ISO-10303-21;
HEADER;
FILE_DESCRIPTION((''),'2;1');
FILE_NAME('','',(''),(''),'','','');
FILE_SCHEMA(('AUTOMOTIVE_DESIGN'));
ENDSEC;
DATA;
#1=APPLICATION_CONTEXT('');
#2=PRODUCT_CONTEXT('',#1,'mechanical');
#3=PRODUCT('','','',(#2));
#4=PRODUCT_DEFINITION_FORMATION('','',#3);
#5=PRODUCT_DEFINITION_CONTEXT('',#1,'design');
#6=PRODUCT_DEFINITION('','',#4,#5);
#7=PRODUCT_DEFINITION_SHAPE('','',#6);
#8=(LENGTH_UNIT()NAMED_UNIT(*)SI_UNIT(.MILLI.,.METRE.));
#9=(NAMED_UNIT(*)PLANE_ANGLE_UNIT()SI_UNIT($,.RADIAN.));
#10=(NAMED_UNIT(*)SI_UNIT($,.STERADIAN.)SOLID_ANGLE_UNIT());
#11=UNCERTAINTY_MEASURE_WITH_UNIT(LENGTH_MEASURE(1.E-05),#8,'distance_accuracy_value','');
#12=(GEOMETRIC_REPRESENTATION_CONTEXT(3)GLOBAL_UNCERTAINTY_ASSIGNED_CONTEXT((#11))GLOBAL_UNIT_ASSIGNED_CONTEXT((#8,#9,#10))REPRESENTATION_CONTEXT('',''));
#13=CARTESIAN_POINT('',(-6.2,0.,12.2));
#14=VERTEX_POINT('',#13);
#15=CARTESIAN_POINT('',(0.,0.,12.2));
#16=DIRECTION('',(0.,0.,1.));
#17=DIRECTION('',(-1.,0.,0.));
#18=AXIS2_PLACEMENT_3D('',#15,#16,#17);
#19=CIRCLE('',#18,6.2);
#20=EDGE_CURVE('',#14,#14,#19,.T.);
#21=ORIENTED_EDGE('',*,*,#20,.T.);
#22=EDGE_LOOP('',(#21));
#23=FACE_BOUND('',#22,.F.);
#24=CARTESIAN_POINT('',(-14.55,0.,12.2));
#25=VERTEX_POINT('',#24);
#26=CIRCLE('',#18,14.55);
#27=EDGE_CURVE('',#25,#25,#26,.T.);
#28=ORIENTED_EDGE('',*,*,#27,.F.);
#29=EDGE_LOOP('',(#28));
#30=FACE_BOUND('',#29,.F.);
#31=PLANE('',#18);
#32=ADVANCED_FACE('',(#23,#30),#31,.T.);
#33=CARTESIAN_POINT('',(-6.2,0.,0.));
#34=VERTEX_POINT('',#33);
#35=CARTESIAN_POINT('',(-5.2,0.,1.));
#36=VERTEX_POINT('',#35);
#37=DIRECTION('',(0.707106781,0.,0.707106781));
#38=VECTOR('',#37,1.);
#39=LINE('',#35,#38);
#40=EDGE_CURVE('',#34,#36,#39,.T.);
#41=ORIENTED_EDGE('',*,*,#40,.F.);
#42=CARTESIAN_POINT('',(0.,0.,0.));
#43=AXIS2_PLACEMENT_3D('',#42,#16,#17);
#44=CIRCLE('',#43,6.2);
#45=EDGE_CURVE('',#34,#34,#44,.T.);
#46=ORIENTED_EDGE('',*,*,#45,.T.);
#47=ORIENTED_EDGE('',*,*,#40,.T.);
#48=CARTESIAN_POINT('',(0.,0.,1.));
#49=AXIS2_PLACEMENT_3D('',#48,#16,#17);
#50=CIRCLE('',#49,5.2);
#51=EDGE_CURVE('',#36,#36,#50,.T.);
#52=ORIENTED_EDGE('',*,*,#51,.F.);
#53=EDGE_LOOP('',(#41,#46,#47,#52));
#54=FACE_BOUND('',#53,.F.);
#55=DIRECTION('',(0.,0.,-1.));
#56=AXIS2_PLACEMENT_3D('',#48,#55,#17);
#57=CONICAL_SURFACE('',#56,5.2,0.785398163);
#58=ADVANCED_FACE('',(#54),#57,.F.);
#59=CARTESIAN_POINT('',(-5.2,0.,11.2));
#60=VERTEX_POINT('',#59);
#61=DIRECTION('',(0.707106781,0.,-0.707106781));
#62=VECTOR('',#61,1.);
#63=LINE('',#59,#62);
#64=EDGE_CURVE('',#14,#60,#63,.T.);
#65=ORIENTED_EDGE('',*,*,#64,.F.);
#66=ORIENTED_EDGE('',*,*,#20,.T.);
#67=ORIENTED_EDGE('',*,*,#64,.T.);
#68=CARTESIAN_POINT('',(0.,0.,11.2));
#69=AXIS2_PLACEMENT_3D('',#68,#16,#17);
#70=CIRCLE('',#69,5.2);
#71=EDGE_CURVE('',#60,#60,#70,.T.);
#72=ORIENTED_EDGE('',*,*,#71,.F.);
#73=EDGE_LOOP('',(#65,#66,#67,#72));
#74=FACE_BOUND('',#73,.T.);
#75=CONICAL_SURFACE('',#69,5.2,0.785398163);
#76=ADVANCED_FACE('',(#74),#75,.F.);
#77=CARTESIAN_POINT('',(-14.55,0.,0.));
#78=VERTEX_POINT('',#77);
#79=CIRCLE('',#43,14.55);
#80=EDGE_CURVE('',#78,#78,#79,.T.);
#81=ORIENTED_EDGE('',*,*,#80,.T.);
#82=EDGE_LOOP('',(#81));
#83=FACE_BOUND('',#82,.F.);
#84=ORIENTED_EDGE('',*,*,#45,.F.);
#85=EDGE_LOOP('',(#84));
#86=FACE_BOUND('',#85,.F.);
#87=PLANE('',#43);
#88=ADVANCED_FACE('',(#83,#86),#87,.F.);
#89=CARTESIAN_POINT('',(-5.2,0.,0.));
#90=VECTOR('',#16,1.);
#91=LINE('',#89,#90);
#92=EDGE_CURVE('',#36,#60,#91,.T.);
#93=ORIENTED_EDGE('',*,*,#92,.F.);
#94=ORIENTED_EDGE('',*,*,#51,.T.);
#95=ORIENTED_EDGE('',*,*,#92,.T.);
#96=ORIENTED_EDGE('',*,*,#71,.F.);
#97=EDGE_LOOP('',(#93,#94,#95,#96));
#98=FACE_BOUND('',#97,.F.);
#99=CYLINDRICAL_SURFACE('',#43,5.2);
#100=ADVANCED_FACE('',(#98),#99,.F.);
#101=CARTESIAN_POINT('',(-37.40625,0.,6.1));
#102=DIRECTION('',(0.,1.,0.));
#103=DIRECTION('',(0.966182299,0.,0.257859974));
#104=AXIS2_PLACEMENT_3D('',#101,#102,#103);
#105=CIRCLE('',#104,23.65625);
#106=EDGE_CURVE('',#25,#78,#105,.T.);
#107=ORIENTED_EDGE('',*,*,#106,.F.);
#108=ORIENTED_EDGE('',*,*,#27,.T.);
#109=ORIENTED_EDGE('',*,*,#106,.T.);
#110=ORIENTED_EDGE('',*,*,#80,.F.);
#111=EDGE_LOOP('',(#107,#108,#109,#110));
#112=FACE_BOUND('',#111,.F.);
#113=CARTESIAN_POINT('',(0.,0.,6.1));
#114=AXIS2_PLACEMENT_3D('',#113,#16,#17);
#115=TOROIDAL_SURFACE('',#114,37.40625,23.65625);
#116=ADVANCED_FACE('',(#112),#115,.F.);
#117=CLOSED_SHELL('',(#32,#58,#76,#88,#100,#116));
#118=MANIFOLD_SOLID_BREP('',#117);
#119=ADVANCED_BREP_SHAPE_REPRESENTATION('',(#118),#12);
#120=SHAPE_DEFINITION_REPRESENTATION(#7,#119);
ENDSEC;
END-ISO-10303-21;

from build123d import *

# Parameters (mm, degrees)
F2_SIZE = 1


with BuildPart() as f1:
    # F0 (on Front) → F1 (revolve)
    with BuildSketch(Plane.XZ):
        with BuildLine():
            Line((-5.2, 12.2), (-14.55, 12.2))
            ThreePointArc((-14.55, 12.2), (-13.75, 6.1), (-14.55, 0))
            Line((-14.55, 0), (-5.2, 0))
            Line((-5.2, 0), (-5.2, 12.2))
        make_face()
    revolve(axis=Axis((0, 0, 6.1), (0, 0, 1)))

    # F2
    f2_edges = [f1.edges().sort_by_distance(p)[0] for p in [
        (5.2, 0, 0),
        (5.2, 0, 12.2),
        (-5.2, 0, 6.1),
    ]]
    chamfer(f2_edges, length=F2_SIZE)


solid = f1.part
